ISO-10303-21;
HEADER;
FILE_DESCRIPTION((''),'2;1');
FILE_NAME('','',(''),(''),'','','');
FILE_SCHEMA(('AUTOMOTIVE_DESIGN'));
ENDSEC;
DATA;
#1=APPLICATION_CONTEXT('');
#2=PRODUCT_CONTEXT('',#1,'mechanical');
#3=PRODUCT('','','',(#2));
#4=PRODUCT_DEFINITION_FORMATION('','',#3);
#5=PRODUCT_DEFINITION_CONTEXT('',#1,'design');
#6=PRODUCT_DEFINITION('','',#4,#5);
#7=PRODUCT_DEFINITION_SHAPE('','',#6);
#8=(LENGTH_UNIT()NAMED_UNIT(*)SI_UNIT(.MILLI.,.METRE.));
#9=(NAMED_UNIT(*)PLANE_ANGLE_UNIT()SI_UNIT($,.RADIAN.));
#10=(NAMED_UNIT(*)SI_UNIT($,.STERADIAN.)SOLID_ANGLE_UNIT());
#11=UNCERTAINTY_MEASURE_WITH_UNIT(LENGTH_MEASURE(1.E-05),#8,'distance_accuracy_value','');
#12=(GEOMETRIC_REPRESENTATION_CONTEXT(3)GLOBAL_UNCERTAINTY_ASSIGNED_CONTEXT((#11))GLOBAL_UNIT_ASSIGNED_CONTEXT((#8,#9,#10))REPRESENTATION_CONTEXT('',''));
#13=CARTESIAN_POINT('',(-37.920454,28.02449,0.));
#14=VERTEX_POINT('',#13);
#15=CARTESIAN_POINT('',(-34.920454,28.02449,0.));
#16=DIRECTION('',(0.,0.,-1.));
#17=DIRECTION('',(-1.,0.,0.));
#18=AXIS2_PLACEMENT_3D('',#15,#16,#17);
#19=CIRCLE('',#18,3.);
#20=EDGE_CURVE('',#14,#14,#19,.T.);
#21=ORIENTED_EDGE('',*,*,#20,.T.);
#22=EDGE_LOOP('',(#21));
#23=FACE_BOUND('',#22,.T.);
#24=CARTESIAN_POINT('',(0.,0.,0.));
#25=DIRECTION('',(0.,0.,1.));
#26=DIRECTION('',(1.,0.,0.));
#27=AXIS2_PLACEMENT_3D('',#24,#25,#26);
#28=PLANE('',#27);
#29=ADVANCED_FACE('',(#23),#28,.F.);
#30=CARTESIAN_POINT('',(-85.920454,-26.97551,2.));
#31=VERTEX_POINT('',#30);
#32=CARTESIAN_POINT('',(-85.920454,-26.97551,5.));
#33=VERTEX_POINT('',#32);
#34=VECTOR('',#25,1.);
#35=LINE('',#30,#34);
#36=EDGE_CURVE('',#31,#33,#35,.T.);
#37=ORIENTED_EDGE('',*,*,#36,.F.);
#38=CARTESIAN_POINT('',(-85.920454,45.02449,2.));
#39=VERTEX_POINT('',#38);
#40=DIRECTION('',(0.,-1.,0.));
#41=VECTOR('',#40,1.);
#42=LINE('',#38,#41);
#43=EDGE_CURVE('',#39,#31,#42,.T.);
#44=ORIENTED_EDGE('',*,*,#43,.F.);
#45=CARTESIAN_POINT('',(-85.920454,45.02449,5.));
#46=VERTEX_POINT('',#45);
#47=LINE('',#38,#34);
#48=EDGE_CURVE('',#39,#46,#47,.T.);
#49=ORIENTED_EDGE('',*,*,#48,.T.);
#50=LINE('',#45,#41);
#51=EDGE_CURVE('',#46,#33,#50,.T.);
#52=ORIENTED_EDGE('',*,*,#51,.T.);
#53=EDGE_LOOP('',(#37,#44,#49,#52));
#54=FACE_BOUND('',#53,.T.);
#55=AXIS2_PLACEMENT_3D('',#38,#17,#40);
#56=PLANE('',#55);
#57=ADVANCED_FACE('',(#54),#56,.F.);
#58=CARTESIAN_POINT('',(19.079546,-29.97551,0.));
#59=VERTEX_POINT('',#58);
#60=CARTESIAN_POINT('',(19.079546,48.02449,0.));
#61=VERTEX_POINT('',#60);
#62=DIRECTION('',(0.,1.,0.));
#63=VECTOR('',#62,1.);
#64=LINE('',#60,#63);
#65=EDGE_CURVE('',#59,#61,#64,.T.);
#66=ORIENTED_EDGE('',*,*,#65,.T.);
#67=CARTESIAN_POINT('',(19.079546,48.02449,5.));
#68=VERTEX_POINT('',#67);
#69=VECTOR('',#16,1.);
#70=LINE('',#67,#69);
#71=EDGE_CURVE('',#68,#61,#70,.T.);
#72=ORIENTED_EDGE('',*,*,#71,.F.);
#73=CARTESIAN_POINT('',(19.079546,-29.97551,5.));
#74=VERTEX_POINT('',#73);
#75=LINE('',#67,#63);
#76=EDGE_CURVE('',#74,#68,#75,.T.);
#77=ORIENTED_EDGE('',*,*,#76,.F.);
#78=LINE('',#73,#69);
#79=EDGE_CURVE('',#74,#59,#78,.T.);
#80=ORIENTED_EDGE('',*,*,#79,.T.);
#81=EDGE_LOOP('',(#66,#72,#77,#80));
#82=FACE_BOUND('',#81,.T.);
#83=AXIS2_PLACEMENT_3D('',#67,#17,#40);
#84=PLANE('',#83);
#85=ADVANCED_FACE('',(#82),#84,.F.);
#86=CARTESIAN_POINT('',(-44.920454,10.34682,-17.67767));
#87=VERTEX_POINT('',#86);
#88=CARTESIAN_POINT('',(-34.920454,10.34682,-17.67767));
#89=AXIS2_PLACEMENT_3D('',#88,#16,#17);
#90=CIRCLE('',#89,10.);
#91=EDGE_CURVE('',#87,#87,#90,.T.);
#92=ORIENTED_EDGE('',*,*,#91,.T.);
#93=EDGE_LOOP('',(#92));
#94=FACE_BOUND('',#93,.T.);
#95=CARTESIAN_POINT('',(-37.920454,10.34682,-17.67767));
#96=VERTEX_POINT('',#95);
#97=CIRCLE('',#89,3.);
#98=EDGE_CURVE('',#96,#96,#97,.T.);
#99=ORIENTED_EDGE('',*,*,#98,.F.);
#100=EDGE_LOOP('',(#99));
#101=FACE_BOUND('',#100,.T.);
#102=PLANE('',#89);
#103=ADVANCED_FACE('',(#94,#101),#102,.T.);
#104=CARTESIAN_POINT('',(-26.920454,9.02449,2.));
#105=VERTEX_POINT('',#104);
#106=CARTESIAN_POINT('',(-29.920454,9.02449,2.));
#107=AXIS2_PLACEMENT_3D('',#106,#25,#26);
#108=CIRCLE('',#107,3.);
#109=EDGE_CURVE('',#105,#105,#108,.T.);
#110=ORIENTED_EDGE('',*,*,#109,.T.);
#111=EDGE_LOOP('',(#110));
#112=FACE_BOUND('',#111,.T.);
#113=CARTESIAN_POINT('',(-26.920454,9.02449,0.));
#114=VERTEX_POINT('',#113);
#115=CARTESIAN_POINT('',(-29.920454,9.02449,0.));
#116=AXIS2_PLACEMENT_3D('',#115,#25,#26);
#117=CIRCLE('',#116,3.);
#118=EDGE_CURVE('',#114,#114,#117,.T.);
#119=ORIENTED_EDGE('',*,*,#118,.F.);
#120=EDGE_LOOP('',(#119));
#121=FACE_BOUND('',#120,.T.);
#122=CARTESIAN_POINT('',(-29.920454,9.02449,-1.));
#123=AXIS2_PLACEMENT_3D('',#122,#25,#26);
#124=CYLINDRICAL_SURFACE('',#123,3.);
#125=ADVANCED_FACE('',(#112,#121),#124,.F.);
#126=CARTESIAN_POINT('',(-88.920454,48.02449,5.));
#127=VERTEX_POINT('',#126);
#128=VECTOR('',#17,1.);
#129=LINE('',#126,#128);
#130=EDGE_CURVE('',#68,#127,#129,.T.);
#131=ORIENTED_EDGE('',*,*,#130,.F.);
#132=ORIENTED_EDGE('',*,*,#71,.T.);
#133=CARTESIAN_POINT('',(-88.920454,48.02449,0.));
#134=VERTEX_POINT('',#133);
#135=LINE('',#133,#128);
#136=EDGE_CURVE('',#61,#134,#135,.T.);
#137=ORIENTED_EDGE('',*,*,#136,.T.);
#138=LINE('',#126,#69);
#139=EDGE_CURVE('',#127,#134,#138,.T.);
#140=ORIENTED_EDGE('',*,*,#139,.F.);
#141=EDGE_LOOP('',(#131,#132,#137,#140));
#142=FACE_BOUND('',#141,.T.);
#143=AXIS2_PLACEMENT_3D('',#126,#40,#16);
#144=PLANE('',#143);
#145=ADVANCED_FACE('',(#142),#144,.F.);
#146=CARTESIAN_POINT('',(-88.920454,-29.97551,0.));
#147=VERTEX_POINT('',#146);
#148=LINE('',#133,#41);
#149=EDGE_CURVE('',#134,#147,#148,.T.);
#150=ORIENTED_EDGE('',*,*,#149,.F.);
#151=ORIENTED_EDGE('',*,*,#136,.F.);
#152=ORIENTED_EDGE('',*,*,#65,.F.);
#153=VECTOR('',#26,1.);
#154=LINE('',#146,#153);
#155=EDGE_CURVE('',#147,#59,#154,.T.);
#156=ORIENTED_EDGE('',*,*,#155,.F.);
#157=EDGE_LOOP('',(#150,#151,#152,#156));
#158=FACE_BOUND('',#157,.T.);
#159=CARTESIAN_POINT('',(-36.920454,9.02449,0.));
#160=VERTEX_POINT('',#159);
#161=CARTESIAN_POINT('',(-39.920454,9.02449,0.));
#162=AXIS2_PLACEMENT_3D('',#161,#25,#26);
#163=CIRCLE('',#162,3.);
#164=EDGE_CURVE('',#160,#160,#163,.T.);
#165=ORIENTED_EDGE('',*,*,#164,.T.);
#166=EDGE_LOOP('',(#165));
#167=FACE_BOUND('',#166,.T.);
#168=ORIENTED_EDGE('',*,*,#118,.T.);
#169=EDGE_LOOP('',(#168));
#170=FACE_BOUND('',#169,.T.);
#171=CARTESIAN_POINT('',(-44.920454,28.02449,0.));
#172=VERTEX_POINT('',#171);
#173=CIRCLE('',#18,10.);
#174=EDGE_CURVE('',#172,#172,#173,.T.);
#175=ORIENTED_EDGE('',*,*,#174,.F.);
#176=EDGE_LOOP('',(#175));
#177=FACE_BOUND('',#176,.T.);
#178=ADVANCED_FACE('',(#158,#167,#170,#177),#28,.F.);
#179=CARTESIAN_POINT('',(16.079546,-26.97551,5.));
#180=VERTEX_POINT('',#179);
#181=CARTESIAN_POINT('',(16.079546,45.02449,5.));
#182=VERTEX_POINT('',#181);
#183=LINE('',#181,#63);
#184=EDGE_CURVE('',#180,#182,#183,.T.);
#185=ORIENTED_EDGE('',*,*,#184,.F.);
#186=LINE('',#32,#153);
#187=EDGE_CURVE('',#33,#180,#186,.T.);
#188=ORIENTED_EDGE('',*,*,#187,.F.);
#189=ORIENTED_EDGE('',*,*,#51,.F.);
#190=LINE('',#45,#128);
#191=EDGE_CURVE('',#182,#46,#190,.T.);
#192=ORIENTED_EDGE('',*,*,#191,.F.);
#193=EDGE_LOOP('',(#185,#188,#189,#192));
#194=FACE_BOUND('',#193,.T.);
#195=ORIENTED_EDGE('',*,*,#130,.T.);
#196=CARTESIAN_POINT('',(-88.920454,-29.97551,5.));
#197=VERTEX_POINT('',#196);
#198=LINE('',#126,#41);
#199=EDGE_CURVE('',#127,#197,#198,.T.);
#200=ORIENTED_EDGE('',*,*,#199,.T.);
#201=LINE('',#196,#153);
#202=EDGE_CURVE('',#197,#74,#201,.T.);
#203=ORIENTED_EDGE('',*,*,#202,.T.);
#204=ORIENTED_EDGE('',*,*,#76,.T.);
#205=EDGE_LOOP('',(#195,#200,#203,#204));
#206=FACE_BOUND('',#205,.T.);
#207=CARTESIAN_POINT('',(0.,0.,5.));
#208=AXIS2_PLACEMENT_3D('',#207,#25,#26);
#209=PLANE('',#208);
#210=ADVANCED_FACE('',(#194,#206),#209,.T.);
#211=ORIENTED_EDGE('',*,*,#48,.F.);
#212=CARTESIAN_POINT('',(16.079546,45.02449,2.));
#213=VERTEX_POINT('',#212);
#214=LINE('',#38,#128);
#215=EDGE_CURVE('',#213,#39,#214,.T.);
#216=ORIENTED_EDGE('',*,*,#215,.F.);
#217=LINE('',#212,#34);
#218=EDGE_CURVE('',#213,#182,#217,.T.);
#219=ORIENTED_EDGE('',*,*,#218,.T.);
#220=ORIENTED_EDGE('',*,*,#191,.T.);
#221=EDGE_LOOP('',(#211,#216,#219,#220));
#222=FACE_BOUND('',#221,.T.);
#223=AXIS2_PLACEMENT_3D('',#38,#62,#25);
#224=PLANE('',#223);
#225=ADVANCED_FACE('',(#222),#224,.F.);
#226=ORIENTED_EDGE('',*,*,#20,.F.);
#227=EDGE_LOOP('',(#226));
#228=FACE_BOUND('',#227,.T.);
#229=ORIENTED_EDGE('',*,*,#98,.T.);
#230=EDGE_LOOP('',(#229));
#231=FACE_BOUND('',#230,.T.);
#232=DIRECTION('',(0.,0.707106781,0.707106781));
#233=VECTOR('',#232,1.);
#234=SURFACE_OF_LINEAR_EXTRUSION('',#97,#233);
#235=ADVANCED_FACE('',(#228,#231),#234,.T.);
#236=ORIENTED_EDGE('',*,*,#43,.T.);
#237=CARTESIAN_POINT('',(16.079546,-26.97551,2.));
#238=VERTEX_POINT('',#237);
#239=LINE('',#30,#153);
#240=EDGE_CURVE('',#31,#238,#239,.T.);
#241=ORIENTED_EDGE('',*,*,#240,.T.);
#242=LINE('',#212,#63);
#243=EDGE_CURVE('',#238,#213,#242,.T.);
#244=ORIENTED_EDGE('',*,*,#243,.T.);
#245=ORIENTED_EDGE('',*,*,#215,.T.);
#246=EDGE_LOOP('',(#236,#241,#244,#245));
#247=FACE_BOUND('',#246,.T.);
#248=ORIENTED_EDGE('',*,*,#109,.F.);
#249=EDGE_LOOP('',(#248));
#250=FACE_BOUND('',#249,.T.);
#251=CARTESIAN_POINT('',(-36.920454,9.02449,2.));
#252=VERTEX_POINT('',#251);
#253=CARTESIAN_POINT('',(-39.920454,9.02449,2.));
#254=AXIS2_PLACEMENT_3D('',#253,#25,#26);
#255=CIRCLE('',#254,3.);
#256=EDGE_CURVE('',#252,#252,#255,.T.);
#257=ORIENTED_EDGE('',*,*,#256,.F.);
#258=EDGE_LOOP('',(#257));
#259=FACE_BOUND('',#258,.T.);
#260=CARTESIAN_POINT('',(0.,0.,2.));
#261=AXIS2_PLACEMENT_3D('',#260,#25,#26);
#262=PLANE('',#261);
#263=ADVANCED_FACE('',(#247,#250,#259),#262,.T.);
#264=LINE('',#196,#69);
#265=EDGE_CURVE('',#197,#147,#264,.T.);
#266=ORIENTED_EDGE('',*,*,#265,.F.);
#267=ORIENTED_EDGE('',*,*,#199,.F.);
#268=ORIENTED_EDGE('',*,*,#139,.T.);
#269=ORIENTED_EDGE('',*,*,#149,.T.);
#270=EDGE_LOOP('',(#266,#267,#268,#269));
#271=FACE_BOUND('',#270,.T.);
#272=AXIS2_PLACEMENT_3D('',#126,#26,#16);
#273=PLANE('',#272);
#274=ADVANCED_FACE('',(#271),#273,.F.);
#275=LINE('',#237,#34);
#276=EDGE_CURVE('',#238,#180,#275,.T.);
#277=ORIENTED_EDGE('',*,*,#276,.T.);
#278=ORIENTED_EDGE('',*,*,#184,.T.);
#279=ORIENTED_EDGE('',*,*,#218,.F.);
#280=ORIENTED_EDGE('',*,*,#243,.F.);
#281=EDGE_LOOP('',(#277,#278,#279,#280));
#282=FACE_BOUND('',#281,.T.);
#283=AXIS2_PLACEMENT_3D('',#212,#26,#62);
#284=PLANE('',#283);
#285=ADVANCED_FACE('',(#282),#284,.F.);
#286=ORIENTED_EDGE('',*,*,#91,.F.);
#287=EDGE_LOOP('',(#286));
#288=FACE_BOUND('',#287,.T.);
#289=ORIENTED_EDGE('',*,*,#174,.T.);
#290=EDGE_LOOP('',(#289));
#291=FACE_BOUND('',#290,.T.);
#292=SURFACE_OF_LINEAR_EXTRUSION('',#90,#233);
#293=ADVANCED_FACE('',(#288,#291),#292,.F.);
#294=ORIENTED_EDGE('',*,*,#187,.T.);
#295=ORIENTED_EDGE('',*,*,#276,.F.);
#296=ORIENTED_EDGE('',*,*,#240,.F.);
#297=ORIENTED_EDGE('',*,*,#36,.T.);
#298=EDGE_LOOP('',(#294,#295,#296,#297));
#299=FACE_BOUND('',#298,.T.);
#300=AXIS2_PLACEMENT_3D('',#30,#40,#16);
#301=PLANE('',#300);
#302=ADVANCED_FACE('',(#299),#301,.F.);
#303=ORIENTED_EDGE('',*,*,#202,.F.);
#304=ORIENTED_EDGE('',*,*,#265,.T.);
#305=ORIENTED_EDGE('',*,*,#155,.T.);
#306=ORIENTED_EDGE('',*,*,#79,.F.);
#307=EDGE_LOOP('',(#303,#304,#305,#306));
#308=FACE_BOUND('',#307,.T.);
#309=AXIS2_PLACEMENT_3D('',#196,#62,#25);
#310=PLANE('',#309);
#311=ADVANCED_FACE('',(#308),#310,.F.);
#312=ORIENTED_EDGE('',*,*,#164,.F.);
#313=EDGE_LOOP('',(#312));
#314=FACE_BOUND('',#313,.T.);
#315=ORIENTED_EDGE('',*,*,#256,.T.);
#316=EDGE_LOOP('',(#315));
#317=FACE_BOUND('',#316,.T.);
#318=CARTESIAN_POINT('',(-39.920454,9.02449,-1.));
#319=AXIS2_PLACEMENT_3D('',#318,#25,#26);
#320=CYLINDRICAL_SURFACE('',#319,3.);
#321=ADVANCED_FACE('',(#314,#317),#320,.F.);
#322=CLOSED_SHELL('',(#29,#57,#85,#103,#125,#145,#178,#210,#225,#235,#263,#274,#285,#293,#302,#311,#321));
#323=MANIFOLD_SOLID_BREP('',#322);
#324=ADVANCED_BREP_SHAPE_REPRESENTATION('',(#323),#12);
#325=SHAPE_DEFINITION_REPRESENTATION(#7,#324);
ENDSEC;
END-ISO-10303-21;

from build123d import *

# Parameters (mm, degrees)
SKIZZE1_W                       = 108
SKIZZE1_H                       = 78
AUFSATZ_LINEAR_AUSTRAGEN1_DEPTH = 5
SKIZZE2_W                       = 102
SKIZZE2_H                       = 72
SCHNITT_LINEAR_AUSTRAGEN1_DEPTH = 3
SKIZZE3_R                       = 3
SCHNITT_LINEAR_AUSTRAGEN2_DEPTH = 3
SKIZZE4_R                       = 10
SKIZZE4_R_2                     = 3
AUFSATZ_LINEAR_AUSTRAGEN2_DEPTH = 25


with BuildPart() as part:
    # Skizze1 → Aufsatz-Linear austragen1 (new body)
    with BuildSketch(Plane.XY):
        with Locations((-34.920453515, 9.024489796)):
            Rectangle(SKIZZE1_W, SKIZZE1_H)
    extrude(amount=AUFSATZ_LINEAR_AUSTRAGEN1_DEPTH)

    # Skizze2 → Schnitt-Linear austragen1 (cut)
    with BuildSketch(Plane.XY.offset(5)):
        with Locations((-34.920453515, 9.024489796)):
            Rectangle(SKIZZE2_W, SKIZZE2_H)
    extrude(amount=-SCHNITT_LINEAR_AUSTRAGEN1_DEPTH, mode=Mode.SUBTRACT)

    # Skizze3 → Schnitt-Linear austragen2 (cut)
    with BuildSketch(Plane.XY.offset(2)):
        with Locations((-39.920453515, 9.024489796)):
            Circle(SKIZZE3_R)
        with Locations((-29.920453515, 9.024489796)):
            Circle(SKIZZE3_R)
    extrude(amount=-SCHNITT_LINEAR_AUSTRAGEN2_DEPTH, mode=Mode.SUBTRACT)

    # Skizze4 → Aufsatz-Linear austragen2 (add, along a direction that is not the sketch's normal)
    with BuildSketch(Plane(origin=(0, 0, 0), x_dir=(-1, 0, 0), z_dir=(0, 0, -1))):
        with Locations((34.920453515, 28.024489796)):
            Circle(SKIZZE4_R)
        with Locations((34.920453515, 28.024489796)):
            Circle(SKIZZE4_R_2, mode=Mode.SUBTRACT)
    extrude(amount=AUFSATZ_LINEAR_AUSTRAGEN2_DEPTH, dir=(0, -0.7071067811865538, -0.7071067811865414))


solid = part.part
